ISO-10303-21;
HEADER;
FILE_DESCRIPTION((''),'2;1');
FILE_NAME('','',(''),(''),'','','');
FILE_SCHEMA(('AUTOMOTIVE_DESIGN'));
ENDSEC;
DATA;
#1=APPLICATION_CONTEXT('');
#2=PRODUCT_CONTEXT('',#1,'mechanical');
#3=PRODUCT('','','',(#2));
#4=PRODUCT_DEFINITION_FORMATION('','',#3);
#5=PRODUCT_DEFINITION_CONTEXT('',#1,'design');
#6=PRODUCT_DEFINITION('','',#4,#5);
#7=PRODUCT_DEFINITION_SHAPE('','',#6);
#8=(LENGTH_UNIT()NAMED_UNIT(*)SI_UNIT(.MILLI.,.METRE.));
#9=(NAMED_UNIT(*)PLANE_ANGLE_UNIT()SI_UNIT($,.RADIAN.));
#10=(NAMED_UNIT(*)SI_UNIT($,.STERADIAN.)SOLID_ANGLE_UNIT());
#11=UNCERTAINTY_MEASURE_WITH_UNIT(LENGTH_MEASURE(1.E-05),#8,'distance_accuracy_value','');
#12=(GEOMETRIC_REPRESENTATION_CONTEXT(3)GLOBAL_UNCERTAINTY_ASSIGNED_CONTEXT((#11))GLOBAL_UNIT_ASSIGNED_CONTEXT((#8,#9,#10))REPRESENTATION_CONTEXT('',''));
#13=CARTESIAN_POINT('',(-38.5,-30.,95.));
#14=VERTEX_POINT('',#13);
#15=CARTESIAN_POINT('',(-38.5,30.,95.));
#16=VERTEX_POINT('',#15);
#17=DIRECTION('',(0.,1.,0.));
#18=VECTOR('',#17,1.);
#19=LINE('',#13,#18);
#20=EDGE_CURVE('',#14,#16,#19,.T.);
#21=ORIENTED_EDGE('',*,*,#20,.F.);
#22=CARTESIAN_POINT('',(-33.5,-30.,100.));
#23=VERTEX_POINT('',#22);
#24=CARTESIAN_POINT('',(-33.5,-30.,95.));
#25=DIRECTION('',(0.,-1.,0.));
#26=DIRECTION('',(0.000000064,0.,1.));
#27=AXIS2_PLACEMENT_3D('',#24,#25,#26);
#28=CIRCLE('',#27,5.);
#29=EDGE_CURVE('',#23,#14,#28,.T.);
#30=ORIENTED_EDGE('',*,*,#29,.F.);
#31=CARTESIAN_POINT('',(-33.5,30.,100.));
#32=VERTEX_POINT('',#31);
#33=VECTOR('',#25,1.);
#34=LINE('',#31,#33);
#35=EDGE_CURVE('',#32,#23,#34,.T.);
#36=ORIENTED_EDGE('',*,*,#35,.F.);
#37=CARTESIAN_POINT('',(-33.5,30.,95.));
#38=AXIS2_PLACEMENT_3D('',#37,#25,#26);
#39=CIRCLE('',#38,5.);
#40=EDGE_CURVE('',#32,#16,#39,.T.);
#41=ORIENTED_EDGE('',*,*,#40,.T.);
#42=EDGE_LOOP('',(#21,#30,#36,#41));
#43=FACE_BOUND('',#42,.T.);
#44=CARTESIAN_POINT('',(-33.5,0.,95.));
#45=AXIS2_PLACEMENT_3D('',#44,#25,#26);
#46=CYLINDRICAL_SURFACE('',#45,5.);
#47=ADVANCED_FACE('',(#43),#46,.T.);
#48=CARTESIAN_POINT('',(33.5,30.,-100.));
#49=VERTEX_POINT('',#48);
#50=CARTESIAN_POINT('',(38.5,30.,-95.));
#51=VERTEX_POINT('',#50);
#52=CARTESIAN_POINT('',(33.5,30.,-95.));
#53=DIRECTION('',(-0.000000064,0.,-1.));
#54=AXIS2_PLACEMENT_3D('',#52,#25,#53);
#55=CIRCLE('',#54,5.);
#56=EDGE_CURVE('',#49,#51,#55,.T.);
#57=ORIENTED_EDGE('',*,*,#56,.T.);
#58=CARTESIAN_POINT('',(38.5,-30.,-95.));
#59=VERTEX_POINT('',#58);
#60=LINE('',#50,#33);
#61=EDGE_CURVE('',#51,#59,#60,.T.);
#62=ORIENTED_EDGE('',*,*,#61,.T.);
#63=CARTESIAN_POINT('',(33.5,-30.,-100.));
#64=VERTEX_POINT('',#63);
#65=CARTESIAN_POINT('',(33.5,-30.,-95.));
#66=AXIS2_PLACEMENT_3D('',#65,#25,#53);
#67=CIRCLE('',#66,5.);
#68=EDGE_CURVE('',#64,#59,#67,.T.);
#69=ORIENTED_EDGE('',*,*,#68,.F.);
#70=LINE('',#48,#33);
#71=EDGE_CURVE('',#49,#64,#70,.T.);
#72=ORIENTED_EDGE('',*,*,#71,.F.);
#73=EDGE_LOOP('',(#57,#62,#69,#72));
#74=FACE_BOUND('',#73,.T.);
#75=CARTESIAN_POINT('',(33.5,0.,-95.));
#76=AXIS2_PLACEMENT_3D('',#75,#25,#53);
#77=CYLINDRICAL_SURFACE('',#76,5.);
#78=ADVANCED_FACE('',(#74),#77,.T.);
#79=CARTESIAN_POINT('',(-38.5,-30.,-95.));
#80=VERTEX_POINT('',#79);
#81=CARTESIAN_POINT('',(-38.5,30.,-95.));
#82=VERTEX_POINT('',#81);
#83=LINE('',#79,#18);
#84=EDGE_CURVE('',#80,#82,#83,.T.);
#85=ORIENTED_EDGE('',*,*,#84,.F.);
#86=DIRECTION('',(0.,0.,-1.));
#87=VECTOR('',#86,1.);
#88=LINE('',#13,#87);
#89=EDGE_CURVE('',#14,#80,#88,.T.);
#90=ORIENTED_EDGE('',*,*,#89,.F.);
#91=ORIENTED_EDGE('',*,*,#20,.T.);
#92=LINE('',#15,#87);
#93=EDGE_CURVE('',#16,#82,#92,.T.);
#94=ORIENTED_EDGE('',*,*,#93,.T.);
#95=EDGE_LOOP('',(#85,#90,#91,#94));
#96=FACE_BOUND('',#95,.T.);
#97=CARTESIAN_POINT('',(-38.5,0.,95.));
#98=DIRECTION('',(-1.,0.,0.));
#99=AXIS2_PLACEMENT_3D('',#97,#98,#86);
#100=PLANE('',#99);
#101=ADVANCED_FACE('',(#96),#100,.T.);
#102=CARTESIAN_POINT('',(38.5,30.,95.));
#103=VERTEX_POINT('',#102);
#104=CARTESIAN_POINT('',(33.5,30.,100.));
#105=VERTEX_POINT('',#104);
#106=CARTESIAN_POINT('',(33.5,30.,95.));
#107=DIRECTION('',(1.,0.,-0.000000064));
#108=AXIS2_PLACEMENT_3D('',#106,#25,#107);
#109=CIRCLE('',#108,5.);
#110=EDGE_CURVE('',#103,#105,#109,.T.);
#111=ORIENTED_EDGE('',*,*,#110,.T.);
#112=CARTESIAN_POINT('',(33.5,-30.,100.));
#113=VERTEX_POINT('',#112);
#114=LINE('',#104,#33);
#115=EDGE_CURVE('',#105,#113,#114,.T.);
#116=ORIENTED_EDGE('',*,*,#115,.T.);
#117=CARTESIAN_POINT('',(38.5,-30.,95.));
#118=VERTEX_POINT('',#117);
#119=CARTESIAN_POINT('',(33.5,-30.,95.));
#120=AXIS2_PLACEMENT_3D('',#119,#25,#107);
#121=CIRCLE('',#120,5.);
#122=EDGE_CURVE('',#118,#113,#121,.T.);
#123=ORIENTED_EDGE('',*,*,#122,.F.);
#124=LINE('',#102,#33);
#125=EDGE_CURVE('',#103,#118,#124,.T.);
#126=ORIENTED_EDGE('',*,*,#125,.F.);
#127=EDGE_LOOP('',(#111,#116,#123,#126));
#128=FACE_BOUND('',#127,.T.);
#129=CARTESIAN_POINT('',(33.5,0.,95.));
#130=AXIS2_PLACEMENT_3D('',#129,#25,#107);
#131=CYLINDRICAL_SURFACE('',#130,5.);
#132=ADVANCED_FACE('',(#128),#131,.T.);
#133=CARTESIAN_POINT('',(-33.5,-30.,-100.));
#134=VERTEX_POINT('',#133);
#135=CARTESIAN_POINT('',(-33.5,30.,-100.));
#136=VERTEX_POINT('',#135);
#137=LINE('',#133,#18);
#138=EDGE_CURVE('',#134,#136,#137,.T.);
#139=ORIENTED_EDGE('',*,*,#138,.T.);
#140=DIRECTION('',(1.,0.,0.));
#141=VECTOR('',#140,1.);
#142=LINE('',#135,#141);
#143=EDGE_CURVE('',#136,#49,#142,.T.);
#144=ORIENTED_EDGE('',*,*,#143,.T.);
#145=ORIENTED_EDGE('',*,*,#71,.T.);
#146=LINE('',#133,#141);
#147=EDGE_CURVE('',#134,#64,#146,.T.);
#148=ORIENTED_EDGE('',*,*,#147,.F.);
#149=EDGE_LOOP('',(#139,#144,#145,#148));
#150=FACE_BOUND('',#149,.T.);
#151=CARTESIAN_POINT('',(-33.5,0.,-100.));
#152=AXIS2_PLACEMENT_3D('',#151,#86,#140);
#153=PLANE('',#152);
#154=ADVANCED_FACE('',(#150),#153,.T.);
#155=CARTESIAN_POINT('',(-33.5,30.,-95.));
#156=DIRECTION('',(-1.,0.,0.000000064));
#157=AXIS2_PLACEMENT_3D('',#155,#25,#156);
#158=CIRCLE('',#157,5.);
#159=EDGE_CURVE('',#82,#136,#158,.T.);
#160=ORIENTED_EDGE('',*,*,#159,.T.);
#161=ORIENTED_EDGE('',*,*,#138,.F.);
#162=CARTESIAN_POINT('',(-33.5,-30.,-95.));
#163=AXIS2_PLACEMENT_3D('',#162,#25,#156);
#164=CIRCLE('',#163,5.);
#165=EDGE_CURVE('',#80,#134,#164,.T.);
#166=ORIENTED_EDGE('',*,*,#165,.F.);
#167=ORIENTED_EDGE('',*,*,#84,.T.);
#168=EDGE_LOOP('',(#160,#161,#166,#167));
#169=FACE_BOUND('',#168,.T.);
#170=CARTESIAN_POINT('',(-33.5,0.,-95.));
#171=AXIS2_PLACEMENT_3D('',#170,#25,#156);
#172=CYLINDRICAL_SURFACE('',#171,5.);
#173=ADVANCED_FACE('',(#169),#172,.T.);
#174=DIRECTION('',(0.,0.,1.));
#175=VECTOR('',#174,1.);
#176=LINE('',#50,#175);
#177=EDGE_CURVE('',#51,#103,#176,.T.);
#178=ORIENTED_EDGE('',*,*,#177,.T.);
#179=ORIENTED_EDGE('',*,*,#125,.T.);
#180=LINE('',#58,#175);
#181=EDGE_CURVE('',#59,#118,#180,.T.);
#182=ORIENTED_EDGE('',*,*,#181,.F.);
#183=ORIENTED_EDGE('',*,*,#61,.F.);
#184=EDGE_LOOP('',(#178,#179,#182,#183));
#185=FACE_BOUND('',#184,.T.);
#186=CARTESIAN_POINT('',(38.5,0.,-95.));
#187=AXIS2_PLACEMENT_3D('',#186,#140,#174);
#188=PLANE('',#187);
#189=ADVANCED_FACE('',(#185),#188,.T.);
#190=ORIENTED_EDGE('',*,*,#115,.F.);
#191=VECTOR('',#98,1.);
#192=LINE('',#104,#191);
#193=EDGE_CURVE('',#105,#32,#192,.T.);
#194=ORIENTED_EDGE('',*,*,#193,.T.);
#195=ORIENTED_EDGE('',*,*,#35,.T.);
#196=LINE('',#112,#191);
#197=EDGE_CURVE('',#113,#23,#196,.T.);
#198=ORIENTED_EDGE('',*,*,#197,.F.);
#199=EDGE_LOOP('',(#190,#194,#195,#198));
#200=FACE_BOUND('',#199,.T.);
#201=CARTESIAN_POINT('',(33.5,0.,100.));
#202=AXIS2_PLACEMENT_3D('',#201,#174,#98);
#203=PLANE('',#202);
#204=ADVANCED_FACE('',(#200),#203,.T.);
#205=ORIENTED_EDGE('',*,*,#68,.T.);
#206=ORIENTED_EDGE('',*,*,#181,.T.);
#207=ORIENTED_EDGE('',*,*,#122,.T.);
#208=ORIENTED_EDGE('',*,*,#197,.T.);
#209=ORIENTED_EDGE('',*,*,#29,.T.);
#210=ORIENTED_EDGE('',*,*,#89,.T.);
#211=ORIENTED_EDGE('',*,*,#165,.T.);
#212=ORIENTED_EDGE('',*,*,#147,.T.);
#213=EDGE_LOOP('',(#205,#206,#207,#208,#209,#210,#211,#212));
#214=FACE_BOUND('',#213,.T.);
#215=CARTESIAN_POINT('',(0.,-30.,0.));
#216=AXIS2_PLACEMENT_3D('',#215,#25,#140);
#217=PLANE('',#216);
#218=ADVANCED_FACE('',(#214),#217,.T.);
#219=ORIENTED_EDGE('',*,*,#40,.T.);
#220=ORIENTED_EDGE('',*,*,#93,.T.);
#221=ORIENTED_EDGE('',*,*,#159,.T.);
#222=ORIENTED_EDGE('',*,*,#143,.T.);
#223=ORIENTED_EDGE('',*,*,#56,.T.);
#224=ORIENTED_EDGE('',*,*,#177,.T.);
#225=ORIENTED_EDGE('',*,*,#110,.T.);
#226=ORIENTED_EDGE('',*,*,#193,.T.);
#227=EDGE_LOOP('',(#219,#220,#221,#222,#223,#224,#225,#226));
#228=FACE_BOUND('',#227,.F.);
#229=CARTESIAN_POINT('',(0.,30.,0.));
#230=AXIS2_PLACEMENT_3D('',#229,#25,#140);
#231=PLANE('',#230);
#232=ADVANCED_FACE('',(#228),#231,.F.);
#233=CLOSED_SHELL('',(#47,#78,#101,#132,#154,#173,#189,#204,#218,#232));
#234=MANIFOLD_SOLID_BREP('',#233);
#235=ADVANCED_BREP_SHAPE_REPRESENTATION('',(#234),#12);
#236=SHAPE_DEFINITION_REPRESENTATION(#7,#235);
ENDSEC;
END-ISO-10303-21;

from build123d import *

# Parameters (mm, degrees)
F1_DEPTH = 30


with BuildPart() as f1:
    # F0 (on Front) → F1 (new body, symmetric)
    with BuildSketch(Plane.XZ):
        with BuildLine():
            Line((-33.5, -100), (33.5, -100))
            ThreePointArc((33.5, -100), (37.035534, -98.535534), (38.5, -95))
            Line((38.5, -95), (38.5, 95))
            ThreePointArc((38.5, 95), (37.035534, 98.535534), (33.5, 100))
            Line((33.5, 100), (-33.5, 100))
            ThreePointArc((-33.5, 100), (-37.035534, 98.535534), (-38.5, 95))
            Line((-38.5, 95), (-38.5, -95))
            ThreePointArc((-38.5, -95), (-37.035534, -98.535534), (-33.5, -100))
        make_face()
    extrude(amount=F1_DEPTH, both=True)


solid = f1.part
